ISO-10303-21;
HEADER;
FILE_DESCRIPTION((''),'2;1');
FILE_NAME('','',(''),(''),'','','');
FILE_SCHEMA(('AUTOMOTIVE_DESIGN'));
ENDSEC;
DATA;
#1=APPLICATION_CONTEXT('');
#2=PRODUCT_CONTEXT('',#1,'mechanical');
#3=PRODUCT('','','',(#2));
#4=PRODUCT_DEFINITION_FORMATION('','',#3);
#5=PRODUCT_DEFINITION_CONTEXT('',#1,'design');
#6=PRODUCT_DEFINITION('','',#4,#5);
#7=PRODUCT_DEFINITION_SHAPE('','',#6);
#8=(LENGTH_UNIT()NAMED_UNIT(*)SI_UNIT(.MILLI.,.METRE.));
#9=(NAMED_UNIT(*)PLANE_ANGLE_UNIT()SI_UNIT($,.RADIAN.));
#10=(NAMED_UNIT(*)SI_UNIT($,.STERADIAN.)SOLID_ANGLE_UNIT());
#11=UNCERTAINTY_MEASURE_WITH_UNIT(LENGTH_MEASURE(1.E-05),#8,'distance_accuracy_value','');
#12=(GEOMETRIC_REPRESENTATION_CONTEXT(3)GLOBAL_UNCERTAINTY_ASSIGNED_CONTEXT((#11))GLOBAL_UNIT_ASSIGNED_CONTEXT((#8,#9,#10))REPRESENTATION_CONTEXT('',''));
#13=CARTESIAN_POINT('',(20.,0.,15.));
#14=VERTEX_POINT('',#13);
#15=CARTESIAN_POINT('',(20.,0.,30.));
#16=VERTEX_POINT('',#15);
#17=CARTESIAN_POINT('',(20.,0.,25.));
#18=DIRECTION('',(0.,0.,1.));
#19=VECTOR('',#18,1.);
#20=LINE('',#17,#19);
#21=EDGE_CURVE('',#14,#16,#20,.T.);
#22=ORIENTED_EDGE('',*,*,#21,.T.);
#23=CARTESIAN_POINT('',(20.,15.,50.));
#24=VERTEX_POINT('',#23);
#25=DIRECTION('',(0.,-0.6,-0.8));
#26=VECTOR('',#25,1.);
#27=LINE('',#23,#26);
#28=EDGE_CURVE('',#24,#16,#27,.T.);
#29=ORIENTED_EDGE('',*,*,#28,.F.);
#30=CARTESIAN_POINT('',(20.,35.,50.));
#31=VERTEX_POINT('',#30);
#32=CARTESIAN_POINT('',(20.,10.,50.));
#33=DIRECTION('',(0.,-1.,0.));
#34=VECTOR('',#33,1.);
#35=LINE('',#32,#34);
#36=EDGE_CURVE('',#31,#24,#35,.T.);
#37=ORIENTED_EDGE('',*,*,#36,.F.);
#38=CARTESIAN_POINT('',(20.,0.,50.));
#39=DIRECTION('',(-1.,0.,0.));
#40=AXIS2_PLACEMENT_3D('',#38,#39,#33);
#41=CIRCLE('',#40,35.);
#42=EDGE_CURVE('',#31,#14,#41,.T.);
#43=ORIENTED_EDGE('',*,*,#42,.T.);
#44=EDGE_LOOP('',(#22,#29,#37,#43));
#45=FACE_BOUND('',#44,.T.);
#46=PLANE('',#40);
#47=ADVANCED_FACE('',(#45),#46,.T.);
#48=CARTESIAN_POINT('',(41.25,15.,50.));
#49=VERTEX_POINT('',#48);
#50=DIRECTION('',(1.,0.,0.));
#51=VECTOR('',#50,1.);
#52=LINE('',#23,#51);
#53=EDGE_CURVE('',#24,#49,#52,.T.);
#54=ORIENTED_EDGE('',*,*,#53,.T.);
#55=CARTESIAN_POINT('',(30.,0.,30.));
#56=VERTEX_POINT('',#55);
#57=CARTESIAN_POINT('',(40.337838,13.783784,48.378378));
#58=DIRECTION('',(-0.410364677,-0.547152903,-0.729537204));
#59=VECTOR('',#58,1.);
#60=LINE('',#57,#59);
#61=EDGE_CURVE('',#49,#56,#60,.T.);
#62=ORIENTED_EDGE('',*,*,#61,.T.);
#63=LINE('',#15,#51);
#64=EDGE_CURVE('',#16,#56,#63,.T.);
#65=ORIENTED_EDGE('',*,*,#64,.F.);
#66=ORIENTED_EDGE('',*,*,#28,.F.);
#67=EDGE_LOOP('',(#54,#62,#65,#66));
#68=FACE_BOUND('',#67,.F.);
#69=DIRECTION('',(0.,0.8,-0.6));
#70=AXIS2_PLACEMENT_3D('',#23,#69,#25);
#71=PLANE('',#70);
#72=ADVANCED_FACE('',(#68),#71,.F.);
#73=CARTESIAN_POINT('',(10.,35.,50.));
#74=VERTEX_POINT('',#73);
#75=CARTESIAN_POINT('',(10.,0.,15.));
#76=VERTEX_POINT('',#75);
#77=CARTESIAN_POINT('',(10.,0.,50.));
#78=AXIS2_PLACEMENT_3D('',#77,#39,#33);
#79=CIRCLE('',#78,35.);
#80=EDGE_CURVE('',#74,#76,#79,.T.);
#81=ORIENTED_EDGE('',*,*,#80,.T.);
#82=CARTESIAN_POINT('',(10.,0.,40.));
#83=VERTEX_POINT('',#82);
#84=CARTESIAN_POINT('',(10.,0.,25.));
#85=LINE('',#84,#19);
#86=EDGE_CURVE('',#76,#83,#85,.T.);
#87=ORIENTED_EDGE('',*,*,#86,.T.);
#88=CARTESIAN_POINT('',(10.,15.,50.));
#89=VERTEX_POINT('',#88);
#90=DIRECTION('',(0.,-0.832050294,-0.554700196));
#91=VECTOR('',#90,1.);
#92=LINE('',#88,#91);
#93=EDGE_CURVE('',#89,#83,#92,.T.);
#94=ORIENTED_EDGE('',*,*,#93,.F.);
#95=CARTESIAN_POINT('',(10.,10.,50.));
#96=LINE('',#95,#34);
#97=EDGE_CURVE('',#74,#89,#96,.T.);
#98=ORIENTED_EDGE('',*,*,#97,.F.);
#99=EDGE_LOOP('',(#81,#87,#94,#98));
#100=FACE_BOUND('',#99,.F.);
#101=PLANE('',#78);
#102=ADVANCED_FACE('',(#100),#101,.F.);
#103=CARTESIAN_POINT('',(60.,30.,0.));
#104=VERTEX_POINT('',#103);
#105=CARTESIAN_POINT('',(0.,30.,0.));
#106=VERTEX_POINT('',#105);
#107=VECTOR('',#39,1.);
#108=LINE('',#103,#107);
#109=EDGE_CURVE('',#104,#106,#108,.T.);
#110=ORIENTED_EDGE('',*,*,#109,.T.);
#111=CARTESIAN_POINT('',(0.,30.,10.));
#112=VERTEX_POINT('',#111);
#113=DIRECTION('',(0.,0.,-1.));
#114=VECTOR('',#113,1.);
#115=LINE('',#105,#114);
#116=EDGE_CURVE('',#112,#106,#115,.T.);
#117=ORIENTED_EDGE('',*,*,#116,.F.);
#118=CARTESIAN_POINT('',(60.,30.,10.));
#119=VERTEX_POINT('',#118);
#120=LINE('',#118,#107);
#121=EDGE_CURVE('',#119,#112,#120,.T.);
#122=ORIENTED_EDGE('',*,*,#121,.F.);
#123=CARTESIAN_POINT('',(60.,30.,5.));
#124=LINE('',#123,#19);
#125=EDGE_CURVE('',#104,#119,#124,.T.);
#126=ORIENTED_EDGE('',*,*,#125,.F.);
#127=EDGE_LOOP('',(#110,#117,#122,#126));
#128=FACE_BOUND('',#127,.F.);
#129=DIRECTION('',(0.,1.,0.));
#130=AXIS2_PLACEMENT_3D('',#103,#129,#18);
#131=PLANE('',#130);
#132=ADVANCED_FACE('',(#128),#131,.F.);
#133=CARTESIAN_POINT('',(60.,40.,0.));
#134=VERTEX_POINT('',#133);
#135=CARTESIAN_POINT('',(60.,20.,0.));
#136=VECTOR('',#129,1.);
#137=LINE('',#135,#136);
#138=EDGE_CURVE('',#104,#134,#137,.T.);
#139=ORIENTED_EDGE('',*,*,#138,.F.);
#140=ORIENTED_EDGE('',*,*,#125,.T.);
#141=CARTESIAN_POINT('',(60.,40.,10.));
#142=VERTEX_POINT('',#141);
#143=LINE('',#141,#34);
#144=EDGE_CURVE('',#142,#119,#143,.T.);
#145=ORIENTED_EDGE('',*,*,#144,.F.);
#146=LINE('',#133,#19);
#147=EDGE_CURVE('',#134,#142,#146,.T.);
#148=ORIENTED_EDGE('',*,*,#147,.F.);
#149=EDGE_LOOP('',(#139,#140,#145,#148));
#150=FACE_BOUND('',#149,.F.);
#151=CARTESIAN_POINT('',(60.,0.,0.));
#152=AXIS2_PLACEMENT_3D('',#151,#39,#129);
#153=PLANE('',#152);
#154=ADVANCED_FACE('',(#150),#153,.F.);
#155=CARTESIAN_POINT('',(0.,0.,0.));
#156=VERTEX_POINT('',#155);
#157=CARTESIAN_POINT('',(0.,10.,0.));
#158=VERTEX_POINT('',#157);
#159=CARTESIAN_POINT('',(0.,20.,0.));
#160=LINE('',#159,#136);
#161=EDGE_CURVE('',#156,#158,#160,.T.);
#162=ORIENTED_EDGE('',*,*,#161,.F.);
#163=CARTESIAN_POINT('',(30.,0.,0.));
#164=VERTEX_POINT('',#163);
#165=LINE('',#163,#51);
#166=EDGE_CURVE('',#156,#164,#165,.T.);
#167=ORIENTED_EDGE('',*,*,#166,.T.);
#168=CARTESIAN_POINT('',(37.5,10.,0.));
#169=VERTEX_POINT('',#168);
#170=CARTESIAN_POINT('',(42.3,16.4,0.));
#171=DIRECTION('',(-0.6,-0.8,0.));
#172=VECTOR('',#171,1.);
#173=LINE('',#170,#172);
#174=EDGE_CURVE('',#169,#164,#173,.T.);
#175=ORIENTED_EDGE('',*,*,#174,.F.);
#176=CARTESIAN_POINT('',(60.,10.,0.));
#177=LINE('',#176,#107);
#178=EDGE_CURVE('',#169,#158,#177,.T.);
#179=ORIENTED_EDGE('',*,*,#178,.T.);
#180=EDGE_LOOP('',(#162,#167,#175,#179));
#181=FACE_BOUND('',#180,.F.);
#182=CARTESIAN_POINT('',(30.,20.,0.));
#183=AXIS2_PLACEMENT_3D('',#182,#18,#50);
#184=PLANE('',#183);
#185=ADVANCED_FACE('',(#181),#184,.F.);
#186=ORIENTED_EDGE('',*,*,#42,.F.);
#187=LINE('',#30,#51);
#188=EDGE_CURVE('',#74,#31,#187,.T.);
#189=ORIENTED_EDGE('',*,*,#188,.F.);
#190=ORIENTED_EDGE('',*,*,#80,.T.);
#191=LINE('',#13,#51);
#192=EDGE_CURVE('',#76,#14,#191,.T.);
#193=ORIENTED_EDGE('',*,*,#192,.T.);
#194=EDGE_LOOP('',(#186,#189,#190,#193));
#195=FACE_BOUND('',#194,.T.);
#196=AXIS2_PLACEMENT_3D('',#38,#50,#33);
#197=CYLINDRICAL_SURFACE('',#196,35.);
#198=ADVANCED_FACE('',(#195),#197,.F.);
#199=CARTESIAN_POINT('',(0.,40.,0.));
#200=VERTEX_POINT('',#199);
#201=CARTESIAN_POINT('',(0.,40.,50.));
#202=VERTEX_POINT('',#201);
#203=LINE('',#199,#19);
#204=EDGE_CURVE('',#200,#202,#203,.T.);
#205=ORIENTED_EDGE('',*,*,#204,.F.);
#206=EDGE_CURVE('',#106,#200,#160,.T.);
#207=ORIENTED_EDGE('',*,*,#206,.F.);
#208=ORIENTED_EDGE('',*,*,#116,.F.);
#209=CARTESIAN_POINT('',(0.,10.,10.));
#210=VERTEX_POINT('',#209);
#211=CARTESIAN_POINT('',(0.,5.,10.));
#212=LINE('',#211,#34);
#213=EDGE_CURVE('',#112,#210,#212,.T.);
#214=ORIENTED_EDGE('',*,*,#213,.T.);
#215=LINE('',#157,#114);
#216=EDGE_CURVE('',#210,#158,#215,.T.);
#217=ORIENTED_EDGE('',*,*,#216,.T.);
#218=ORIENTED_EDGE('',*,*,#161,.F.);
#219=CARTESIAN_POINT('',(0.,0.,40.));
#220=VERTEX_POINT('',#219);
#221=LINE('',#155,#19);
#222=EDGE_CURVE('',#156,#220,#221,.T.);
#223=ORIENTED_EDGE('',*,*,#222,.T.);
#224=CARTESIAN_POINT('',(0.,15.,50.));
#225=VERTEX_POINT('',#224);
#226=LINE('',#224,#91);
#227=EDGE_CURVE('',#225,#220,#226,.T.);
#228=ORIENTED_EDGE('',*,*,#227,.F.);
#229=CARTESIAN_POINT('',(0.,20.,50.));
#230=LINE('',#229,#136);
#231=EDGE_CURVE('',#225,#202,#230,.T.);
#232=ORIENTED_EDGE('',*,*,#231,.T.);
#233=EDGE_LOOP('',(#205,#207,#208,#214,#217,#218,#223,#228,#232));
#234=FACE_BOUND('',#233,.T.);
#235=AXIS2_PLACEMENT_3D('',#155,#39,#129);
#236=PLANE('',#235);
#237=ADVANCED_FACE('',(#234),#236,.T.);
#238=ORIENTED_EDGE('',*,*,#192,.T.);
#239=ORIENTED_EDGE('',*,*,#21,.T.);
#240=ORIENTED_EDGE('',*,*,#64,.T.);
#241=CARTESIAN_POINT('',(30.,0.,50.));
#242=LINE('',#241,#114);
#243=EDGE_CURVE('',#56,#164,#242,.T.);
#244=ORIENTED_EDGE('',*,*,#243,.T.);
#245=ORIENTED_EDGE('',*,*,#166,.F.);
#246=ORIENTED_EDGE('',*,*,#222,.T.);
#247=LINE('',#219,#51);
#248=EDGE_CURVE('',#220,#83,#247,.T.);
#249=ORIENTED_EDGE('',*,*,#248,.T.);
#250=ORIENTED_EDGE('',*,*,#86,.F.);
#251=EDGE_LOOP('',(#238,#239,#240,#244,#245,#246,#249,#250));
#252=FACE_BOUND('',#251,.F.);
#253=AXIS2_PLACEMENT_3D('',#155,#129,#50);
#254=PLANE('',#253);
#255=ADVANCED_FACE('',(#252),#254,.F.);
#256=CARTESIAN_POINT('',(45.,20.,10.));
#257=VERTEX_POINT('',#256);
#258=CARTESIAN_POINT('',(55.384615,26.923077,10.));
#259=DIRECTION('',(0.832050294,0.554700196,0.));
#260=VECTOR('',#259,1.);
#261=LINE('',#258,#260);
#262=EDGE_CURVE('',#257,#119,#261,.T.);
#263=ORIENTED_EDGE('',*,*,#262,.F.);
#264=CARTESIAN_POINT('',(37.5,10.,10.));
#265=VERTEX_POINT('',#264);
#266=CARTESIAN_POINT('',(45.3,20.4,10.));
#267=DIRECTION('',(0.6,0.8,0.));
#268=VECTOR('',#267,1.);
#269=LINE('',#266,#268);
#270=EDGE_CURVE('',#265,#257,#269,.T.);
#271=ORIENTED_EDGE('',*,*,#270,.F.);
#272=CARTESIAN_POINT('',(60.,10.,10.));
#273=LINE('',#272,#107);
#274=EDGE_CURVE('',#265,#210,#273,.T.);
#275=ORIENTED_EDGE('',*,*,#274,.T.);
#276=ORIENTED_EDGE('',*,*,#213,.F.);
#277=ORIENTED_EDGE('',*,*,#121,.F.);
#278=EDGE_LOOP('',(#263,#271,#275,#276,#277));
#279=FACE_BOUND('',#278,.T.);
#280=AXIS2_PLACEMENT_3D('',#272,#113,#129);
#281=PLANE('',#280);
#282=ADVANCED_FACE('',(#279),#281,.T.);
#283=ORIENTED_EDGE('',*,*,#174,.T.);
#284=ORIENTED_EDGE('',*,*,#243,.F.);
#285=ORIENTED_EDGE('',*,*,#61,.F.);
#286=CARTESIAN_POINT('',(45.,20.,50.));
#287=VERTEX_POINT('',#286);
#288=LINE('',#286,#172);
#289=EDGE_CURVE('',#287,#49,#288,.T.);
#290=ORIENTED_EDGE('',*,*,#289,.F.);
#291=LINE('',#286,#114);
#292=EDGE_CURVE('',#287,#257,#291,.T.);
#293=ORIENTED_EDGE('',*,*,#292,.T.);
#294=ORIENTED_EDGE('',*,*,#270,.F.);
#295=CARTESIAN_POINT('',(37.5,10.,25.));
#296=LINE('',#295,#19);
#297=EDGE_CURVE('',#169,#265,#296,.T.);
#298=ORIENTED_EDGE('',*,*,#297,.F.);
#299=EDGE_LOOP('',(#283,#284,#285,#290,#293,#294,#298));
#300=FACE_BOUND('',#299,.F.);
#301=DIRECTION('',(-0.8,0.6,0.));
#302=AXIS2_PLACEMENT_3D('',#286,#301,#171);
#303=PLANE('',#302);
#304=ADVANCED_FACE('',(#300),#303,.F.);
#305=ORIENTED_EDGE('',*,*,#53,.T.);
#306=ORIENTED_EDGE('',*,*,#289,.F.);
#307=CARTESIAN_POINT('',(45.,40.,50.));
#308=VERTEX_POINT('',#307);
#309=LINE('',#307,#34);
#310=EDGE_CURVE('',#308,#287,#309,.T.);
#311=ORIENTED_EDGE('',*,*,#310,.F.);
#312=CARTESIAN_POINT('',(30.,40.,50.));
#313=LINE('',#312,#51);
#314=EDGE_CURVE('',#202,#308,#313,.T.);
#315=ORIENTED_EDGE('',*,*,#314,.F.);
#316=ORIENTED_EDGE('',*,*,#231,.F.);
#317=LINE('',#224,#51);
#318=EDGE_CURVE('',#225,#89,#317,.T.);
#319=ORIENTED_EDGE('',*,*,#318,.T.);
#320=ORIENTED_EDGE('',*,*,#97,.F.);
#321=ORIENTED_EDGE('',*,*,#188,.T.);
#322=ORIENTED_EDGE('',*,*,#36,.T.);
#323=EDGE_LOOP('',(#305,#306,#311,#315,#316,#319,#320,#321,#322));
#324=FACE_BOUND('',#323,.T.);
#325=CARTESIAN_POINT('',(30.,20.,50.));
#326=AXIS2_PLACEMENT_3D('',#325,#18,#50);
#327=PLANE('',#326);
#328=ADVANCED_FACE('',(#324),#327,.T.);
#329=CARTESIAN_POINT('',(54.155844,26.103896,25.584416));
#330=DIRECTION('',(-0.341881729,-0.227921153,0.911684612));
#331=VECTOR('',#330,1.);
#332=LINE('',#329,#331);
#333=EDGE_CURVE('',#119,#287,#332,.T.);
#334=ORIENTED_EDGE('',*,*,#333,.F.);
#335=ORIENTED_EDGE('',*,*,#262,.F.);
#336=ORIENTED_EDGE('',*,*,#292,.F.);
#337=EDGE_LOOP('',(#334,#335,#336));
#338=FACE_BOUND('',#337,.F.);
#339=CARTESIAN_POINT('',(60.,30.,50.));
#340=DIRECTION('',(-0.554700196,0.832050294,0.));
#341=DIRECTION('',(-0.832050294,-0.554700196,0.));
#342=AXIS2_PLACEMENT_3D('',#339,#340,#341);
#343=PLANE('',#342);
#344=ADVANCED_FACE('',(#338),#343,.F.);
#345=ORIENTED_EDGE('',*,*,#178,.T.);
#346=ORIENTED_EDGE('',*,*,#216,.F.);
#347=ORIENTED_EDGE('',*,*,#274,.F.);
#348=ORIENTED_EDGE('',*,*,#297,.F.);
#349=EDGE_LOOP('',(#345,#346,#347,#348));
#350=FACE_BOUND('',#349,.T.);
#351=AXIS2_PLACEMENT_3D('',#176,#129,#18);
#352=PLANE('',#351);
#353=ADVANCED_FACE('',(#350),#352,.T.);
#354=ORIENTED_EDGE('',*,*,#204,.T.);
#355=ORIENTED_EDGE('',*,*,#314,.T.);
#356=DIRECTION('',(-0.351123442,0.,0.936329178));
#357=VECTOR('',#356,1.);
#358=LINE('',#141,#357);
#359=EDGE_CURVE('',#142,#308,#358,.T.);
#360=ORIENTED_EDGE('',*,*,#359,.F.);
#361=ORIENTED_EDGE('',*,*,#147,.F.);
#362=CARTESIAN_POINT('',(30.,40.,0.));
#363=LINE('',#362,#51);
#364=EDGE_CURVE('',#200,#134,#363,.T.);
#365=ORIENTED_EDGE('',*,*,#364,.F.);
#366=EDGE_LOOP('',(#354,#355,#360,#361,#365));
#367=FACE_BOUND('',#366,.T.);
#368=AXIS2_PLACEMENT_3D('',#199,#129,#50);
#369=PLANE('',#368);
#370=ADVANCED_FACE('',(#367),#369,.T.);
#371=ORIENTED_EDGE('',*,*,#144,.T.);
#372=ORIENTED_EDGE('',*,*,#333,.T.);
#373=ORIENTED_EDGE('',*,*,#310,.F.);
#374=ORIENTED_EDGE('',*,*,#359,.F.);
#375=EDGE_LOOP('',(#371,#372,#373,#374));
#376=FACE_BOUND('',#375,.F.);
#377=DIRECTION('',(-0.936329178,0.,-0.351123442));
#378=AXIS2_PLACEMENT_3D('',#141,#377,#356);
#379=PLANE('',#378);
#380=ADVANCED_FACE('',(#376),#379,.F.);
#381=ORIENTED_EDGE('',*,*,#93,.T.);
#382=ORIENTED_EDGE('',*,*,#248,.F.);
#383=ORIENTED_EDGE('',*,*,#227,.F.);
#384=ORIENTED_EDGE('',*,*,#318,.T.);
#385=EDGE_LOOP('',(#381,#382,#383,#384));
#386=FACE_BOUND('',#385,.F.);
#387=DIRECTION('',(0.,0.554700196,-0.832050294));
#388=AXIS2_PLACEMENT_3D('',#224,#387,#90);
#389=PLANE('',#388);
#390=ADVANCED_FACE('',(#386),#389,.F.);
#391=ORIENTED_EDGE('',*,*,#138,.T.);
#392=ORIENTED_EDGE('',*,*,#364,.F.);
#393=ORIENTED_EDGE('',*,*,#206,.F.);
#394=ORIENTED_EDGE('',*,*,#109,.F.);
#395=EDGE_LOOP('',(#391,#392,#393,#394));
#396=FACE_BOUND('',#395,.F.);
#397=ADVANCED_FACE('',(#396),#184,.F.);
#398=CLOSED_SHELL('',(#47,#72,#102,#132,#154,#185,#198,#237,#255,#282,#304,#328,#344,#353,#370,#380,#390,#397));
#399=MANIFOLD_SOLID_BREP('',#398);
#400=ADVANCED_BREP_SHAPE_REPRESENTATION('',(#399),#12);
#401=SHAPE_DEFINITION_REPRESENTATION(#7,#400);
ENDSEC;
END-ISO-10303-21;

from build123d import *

# Parameters (mm, degrees)
F0_W      = 60
F0_H      = 40
F1_DEPTH  = 50
F2_W      = 20
F2_H      = 10
F3_DEPTH  = 60.001
F5_R      = 35
F6_DEPTH  = 10
F8_DEPTH  = 50.001
F10_DEPTH = 10
F12_DEPTH = 40.001
F14_DEPTH = 40.001


with BuildPart() as f1:
    # F0 (on Top) → F1 (new body)
    with BuildSketch(Plane.XY):
        with Locations((30, 20)):
            Rectangle(F0_W, F0_H)
    extrude(amount=F1_DEPTH)

    # F2 (on face) → F3 (cut, through all)
    with BuildSketch(Plane.YZ.offset(60)):
        with Locations((20, 5)):
            Rectangle(F2_W, F2_H)
    extrude(amount=-F3_DEPTH, mode=Mode.SUBTRACT)

    # F5 (on offset) → F6 (cut)
    with BuildSketch(Plane(origin=(20, 0, 0), x_dir=(0, -1, 0), z_dir=(-1, 0, 0))):
        with Locations((0, 50)):
            Circle(F5_R)
    extrude(amount=F6_DEPTH, mode=Mode.SUBTRACT)

    # F7 (on face) → F8 (cut, through all)
    with BuildSketch(Plane.XY.offset(50)):
        Polygon((40, 0), (60, 0), (60, 30), (45, 20), (30, 0), align=None)
    extrude(amount=-F8_DEPTH, mode=Mode.SUBTRACT)

    # F9 (on face) → F10 (cut, through all)
    with BuildSketch(Plane(origin=(0, 0, 0), x_dir=(0, -1, 0), z_dir=(-1, 0, 0))):
        Polygon((0, 40), (0, 50), (-15, 50), align=None)
    extrude(amount=-F10_DEPTH, mode=Mode.SUBTRACT)

    # F11 (on offset) → F12 (cut, through all)
    with BuildSketch(Plane(origin=(20, 0, 0), x_dir=(0, -1, 0), z_dir=(-1, 0, 0))):
        Polygon((-15, 50), (0, 30), (0, 50), align=None)
    extrude(amount=-F12_DEPTH, mode=Mode.SUBTRACT)

    # F13 (on face) → F14 (cut, through all)
    with BuildSketch(Plane(origin=(0, 40, 0), x_dir=(-1, 0, 0), z_dir=(0, 1, 0))):
        Polygon((-45, 50), (-60, 50), (-60, 10), align=None)
    extrude(amount=-F14_DEPTH, mode=Mode.SUBTRACT)


solid = f1.part
